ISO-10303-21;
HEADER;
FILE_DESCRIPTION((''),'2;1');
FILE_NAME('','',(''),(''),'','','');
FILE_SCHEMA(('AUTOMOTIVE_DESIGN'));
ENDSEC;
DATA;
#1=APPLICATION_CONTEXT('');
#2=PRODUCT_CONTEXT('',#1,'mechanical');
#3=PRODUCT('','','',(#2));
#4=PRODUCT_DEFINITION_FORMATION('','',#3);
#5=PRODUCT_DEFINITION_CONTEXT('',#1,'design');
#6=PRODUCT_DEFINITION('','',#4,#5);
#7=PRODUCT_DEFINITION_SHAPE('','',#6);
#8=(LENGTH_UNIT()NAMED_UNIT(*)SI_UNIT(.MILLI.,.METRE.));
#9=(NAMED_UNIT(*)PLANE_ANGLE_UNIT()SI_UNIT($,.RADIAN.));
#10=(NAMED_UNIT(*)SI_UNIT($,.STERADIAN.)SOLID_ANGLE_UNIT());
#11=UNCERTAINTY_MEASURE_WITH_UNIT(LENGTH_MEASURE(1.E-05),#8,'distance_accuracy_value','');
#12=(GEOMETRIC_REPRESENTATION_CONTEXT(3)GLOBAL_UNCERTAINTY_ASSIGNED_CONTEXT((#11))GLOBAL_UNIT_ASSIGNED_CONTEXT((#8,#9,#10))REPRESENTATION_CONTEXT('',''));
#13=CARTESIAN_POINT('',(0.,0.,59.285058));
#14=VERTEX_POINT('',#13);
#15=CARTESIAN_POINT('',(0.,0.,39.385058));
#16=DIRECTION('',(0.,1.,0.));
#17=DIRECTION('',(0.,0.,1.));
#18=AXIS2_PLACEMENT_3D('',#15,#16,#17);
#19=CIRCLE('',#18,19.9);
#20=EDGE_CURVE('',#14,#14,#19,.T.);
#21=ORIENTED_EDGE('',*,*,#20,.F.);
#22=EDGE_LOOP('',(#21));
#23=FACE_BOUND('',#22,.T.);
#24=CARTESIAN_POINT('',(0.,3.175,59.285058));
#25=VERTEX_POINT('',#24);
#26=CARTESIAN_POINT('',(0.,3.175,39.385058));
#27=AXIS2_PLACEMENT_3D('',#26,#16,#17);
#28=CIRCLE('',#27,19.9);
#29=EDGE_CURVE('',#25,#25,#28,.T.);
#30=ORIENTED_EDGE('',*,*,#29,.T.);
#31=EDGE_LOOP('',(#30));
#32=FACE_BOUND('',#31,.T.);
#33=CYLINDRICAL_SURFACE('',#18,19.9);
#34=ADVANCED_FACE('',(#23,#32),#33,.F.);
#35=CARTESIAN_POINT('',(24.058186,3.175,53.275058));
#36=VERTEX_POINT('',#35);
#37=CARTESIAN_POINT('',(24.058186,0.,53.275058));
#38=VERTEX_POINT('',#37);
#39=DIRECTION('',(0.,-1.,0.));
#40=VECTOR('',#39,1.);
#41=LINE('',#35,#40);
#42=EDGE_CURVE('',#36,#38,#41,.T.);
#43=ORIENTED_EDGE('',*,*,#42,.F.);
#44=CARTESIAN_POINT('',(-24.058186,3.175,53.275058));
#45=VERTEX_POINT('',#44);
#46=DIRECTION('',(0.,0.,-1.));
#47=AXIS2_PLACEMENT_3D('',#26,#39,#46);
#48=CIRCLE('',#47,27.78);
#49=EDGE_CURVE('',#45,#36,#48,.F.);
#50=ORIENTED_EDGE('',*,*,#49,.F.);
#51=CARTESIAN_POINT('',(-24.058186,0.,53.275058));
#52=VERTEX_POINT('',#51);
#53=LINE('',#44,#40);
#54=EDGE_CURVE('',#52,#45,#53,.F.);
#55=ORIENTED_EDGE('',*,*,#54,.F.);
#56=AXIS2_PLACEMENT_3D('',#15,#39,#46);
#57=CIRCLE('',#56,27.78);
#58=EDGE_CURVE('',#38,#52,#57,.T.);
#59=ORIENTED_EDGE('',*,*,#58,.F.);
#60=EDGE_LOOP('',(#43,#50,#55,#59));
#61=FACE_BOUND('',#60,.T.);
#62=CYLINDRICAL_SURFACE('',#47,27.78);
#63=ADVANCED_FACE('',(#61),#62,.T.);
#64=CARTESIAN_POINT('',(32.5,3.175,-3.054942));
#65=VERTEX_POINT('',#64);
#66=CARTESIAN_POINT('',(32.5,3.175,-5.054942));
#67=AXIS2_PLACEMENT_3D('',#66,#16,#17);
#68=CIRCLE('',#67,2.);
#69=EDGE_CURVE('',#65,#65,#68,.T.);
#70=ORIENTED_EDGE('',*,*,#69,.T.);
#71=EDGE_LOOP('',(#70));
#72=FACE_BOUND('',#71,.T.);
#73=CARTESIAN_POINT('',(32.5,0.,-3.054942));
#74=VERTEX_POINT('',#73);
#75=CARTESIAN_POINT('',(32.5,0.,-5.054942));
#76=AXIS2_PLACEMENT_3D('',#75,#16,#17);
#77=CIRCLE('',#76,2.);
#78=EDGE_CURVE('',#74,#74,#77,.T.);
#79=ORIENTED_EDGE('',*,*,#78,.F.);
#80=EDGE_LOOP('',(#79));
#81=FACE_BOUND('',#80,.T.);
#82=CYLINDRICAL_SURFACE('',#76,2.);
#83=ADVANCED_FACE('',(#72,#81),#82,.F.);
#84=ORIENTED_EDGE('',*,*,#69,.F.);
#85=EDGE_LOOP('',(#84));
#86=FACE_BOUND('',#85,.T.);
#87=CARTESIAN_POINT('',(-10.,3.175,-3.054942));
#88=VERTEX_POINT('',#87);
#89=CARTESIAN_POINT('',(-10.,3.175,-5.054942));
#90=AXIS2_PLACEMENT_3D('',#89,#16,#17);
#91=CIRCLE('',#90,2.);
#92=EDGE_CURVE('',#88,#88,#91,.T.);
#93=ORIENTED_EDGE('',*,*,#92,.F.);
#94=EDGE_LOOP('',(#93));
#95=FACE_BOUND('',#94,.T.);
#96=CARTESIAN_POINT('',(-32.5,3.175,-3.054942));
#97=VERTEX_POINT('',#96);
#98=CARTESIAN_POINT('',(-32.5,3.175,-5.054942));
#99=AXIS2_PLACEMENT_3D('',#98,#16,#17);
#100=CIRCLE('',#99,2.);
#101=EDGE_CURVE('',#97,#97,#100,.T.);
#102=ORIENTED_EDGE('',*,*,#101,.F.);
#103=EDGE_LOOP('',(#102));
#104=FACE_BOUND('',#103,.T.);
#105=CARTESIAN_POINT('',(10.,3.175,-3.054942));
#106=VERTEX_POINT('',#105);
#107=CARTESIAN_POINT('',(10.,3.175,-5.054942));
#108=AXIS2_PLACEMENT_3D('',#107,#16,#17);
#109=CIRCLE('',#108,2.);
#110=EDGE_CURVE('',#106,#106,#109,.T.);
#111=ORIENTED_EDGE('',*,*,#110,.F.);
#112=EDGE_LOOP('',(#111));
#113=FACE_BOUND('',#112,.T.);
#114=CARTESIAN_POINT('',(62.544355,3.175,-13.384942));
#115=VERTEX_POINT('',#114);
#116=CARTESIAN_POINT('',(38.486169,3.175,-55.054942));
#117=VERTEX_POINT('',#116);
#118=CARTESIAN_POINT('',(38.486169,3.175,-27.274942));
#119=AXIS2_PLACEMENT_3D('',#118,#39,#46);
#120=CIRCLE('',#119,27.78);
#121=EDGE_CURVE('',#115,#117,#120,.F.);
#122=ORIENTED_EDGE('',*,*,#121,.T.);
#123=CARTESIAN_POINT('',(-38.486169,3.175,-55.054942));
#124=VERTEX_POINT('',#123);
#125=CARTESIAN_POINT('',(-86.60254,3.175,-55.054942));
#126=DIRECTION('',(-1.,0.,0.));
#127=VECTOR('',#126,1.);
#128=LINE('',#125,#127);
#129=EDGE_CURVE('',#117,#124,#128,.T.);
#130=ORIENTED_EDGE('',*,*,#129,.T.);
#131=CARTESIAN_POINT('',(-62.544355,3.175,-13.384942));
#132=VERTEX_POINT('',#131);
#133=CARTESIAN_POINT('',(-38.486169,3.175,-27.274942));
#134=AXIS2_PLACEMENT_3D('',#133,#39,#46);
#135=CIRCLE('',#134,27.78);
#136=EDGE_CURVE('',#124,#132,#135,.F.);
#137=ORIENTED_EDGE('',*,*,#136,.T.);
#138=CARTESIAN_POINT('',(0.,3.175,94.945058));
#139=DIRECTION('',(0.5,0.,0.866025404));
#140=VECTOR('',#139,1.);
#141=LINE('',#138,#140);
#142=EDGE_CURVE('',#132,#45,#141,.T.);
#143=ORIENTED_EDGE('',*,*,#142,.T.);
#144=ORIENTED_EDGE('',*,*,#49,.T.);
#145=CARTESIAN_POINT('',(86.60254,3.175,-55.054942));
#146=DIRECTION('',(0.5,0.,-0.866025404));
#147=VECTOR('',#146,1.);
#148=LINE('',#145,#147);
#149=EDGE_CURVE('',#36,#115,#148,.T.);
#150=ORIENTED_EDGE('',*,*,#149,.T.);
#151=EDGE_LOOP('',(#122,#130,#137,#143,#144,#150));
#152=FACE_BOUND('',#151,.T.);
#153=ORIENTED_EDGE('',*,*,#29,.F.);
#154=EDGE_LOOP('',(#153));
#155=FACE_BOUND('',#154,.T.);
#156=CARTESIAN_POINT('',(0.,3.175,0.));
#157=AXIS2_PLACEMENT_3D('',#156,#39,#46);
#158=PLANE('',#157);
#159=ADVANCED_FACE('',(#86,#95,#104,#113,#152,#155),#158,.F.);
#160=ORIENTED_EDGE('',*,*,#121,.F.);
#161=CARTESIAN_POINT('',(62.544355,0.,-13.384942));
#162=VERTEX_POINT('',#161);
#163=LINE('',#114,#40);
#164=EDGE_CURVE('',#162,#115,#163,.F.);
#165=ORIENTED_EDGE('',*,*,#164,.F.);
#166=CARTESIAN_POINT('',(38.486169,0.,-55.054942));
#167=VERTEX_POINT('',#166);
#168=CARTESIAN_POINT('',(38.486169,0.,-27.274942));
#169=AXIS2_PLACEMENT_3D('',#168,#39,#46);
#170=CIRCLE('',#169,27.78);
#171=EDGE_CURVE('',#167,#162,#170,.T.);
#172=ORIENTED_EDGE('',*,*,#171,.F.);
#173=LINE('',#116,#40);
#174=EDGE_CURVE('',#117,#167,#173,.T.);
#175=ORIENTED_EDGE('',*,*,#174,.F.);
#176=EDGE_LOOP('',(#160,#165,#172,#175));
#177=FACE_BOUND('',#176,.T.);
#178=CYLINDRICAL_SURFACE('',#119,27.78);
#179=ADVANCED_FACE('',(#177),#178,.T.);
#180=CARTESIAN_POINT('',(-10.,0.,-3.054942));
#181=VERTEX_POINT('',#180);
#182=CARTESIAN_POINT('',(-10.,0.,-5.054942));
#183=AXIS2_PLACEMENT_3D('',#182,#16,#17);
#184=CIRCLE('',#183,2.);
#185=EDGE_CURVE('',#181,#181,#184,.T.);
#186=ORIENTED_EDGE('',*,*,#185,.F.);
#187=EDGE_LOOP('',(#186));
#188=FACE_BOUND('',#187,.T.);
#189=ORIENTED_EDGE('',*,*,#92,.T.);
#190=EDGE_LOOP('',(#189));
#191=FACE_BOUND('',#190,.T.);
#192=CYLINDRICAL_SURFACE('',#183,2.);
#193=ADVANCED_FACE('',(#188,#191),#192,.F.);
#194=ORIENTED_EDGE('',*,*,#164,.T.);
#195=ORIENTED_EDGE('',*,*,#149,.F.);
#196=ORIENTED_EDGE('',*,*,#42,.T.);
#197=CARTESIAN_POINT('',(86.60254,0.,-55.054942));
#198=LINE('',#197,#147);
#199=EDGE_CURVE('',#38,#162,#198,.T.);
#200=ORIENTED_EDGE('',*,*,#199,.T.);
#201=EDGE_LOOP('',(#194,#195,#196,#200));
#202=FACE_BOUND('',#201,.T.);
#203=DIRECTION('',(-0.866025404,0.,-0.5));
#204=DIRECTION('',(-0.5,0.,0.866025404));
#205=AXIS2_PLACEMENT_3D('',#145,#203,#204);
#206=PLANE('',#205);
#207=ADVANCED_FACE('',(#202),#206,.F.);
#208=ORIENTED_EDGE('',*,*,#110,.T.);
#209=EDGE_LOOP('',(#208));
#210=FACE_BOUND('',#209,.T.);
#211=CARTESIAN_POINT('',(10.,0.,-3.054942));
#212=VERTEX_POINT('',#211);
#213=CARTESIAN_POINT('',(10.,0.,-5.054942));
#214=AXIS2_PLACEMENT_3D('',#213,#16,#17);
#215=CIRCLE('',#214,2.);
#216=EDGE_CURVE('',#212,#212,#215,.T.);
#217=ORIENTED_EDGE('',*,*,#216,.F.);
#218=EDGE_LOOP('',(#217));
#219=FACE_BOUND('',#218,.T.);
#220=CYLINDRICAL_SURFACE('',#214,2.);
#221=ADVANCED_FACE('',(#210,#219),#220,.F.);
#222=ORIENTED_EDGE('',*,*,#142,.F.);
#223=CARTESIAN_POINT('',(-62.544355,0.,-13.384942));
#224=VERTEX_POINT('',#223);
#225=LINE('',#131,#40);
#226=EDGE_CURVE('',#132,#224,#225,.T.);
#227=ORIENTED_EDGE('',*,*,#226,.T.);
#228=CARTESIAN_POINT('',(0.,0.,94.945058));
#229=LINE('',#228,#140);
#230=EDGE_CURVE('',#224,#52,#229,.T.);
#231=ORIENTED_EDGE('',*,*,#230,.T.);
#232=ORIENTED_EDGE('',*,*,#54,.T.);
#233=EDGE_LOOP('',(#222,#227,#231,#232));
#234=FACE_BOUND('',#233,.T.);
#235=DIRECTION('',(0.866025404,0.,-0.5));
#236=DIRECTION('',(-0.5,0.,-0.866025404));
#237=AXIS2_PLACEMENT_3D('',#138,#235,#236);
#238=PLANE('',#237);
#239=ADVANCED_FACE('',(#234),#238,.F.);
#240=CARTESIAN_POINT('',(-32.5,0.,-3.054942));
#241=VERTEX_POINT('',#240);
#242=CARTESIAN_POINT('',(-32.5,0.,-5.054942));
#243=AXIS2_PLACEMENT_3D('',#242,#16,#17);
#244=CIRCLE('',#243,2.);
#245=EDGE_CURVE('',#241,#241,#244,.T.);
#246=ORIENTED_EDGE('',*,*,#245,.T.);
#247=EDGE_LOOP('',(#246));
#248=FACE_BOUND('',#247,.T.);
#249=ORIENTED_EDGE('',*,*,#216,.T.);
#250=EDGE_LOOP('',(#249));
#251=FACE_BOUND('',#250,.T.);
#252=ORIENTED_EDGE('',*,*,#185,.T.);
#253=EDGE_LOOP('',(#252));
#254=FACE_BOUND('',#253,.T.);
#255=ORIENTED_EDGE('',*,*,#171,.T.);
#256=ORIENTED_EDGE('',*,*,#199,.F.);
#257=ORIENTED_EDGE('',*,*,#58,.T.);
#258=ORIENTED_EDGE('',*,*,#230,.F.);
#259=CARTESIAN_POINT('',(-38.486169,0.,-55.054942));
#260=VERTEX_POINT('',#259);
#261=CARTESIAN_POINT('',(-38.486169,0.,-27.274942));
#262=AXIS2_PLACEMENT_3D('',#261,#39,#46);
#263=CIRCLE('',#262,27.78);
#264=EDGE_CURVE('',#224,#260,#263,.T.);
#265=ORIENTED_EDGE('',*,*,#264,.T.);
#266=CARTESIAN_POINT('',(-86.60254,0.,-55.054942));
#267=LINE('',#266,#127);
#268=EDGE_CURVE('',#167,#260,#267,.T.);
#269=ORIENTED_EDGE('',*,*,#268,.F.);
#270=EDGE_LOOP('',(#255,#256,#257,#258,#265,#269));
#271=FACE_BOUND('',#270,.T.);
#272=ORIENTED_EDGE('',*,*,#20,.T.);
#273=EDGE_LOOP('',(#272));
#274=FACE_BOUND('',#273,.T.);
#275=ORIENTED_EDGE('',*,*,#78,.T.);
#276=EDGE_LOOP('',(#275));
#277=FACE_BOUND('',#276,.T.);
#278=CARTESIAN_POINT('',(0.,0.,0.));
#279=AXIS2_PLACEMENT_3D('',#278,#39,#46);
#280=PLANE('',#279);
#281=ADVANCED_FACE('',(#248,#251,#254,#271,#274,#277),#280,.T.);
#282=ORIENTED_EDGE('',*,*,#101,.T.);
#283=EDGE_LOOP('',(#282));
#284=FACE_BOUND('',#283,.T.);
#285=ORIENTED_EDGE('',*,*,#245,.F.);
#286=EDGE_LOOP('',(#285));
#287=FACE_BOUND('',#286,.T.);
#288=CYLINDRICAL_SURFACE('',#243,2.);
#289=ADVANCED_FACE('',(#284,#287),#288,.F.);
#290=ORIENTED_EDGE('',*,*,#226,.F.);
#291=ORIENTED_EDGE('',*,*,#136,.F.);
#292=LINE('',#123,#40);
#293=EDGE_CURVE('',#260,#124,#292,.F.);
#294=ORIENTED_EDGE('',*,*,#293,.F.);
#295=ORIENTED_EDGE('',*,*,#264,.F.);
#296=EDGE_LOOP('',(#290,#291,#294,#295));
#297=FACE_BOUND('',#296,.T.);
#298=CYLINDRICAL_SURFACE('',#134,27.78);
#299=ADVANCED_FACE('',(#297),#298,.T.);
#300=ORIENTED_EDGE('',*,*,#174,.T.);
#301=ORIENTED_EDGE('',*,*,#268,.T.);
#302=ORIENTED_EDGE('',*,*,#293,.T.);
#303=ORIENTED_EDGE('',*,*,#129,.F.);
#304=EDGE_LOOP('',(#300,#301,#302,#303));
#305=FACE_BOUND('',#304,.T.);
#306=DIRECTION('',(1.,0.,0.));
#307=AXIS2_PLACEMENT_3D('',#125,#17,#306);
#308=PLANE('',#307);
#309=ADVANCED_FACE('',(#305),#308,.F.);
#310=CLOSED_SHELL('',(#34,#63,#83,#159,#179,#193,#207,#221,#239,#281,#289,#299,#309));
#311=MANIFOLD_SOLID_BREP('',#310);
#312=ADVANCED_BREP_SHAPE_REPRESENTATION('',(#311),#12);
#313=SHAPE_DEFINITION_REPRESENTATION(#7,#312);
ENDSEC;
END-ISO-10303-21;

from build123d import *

# Parameters (mm, degrees)
BOSS_EXTRUDE1_DEPTH = 3.175
FILLET1_R           = 27.78
SKETCH5_R           = 2
CUT_EXTRUDE2_DEPTH  = 95.405671522
SKETCH7_R           = 1.5
SKETCH7_R_2         = 3.925
CUT_EXTRUDE3_DEPTH  = 10
SKETCH2_R           = 19.9
CUT_EXTRUDE4_DEPTH  = 95.405671522


with BuildPart() as part:
    # Sketch1 → Boss-Extrude1 (new body)
    with BuildSketch(Plane(origin=(0, 0, 0), x_dir=(1, 0, 0), z_dir=(0, 1, 0))):
        Polygon((0, -94.945058207), (-86.602540378, 55.054941793), (86.602540378, 55.054941793), align=None)
    extrude(amount=BOSS_EXTRUDE1_DEPTH)

    # Fillet1
    fillet1_edges = [part.edges().sort_by_distance(p)[0] for p in [
        (0, 1.5875, 94.945058207),
        (-86.602540378, 1.5875, -55.054941793),
        (86.602540378, 1.5875, -55.054941793),
    ]]
    fillet(fillet1_edges, radius=FILLET1_R)

    # Sketch5 → Cut-Extrude2 (cut, through all)
    with BuildSketch(Plane(origin=(0, 3.175, 0), x_dir=(1, 0, 0), z_dir=(0, 1, 0))):
        with Locations(Location((32.5, 5.054941793, 0), (0, 0, 270))):
            Circle(SKETCH5_R)
        with Locations(Location((-32.5, 5.054941793, 0), (0, 0, 270))):
            Circle(SKETCH5_R)
        with Locations(Location((-10, 5.054941793, 0), (0, 0, 270))):
            Circle(SKETCH5_R)
        with Locations(Location((10, 5.054941793, 0), (0, 0, 270))):
            Circle(SKETCH5_R)
    extrude(amount=-CUT_EXTRUDE2_DEPTH, mode=Mode.SUBTRACT)

    # Sketch7 → Cut-Extrude3 (cut)
    with BuildSketch(Plane(origin=(0, 3.175, 0), x_dir=(1, 0, 0), z_dir=(0, 1, 0))):
        with Locations(Location((0, -30.885058207, 0), (0, 0, 270))):
            Circle(SKETCH7_R)
        with Locations(Location((-7.361215932, -43.635058207, 0), (0, 0, 270))):
            Circle(SKETCH7_R)
        with Locations(Location((0, -39.385058207, 0), (0, 0, 270))):
            Circle(SKETCH7_R_2)
        with Locations(Location((7.361215932, -43.635058207, 0), (0, 0, 270))):
            Circle(SKETCH7_R)
    extrude(amount=-CUT_EXTRUDE3_DEPTH, mode=Mode.SUBTRACT)

    # Sketch2 → Cut-Extrude4 (cut, through all)
    with BuildSketch(Plane(origin=(0, 3.175, 0), x_dir=(1, 0, 0), z_dir=(0, 1, 0))):
        with Locations(Location((0, -39.385058207, 0), (0, 0, 270))):
            Circle(SKETCH2_R)
    extrude(amount=-CUT_EXTRUDE4_DEPTH, mode=Mode.SUBTRACT)


solid = part.part
